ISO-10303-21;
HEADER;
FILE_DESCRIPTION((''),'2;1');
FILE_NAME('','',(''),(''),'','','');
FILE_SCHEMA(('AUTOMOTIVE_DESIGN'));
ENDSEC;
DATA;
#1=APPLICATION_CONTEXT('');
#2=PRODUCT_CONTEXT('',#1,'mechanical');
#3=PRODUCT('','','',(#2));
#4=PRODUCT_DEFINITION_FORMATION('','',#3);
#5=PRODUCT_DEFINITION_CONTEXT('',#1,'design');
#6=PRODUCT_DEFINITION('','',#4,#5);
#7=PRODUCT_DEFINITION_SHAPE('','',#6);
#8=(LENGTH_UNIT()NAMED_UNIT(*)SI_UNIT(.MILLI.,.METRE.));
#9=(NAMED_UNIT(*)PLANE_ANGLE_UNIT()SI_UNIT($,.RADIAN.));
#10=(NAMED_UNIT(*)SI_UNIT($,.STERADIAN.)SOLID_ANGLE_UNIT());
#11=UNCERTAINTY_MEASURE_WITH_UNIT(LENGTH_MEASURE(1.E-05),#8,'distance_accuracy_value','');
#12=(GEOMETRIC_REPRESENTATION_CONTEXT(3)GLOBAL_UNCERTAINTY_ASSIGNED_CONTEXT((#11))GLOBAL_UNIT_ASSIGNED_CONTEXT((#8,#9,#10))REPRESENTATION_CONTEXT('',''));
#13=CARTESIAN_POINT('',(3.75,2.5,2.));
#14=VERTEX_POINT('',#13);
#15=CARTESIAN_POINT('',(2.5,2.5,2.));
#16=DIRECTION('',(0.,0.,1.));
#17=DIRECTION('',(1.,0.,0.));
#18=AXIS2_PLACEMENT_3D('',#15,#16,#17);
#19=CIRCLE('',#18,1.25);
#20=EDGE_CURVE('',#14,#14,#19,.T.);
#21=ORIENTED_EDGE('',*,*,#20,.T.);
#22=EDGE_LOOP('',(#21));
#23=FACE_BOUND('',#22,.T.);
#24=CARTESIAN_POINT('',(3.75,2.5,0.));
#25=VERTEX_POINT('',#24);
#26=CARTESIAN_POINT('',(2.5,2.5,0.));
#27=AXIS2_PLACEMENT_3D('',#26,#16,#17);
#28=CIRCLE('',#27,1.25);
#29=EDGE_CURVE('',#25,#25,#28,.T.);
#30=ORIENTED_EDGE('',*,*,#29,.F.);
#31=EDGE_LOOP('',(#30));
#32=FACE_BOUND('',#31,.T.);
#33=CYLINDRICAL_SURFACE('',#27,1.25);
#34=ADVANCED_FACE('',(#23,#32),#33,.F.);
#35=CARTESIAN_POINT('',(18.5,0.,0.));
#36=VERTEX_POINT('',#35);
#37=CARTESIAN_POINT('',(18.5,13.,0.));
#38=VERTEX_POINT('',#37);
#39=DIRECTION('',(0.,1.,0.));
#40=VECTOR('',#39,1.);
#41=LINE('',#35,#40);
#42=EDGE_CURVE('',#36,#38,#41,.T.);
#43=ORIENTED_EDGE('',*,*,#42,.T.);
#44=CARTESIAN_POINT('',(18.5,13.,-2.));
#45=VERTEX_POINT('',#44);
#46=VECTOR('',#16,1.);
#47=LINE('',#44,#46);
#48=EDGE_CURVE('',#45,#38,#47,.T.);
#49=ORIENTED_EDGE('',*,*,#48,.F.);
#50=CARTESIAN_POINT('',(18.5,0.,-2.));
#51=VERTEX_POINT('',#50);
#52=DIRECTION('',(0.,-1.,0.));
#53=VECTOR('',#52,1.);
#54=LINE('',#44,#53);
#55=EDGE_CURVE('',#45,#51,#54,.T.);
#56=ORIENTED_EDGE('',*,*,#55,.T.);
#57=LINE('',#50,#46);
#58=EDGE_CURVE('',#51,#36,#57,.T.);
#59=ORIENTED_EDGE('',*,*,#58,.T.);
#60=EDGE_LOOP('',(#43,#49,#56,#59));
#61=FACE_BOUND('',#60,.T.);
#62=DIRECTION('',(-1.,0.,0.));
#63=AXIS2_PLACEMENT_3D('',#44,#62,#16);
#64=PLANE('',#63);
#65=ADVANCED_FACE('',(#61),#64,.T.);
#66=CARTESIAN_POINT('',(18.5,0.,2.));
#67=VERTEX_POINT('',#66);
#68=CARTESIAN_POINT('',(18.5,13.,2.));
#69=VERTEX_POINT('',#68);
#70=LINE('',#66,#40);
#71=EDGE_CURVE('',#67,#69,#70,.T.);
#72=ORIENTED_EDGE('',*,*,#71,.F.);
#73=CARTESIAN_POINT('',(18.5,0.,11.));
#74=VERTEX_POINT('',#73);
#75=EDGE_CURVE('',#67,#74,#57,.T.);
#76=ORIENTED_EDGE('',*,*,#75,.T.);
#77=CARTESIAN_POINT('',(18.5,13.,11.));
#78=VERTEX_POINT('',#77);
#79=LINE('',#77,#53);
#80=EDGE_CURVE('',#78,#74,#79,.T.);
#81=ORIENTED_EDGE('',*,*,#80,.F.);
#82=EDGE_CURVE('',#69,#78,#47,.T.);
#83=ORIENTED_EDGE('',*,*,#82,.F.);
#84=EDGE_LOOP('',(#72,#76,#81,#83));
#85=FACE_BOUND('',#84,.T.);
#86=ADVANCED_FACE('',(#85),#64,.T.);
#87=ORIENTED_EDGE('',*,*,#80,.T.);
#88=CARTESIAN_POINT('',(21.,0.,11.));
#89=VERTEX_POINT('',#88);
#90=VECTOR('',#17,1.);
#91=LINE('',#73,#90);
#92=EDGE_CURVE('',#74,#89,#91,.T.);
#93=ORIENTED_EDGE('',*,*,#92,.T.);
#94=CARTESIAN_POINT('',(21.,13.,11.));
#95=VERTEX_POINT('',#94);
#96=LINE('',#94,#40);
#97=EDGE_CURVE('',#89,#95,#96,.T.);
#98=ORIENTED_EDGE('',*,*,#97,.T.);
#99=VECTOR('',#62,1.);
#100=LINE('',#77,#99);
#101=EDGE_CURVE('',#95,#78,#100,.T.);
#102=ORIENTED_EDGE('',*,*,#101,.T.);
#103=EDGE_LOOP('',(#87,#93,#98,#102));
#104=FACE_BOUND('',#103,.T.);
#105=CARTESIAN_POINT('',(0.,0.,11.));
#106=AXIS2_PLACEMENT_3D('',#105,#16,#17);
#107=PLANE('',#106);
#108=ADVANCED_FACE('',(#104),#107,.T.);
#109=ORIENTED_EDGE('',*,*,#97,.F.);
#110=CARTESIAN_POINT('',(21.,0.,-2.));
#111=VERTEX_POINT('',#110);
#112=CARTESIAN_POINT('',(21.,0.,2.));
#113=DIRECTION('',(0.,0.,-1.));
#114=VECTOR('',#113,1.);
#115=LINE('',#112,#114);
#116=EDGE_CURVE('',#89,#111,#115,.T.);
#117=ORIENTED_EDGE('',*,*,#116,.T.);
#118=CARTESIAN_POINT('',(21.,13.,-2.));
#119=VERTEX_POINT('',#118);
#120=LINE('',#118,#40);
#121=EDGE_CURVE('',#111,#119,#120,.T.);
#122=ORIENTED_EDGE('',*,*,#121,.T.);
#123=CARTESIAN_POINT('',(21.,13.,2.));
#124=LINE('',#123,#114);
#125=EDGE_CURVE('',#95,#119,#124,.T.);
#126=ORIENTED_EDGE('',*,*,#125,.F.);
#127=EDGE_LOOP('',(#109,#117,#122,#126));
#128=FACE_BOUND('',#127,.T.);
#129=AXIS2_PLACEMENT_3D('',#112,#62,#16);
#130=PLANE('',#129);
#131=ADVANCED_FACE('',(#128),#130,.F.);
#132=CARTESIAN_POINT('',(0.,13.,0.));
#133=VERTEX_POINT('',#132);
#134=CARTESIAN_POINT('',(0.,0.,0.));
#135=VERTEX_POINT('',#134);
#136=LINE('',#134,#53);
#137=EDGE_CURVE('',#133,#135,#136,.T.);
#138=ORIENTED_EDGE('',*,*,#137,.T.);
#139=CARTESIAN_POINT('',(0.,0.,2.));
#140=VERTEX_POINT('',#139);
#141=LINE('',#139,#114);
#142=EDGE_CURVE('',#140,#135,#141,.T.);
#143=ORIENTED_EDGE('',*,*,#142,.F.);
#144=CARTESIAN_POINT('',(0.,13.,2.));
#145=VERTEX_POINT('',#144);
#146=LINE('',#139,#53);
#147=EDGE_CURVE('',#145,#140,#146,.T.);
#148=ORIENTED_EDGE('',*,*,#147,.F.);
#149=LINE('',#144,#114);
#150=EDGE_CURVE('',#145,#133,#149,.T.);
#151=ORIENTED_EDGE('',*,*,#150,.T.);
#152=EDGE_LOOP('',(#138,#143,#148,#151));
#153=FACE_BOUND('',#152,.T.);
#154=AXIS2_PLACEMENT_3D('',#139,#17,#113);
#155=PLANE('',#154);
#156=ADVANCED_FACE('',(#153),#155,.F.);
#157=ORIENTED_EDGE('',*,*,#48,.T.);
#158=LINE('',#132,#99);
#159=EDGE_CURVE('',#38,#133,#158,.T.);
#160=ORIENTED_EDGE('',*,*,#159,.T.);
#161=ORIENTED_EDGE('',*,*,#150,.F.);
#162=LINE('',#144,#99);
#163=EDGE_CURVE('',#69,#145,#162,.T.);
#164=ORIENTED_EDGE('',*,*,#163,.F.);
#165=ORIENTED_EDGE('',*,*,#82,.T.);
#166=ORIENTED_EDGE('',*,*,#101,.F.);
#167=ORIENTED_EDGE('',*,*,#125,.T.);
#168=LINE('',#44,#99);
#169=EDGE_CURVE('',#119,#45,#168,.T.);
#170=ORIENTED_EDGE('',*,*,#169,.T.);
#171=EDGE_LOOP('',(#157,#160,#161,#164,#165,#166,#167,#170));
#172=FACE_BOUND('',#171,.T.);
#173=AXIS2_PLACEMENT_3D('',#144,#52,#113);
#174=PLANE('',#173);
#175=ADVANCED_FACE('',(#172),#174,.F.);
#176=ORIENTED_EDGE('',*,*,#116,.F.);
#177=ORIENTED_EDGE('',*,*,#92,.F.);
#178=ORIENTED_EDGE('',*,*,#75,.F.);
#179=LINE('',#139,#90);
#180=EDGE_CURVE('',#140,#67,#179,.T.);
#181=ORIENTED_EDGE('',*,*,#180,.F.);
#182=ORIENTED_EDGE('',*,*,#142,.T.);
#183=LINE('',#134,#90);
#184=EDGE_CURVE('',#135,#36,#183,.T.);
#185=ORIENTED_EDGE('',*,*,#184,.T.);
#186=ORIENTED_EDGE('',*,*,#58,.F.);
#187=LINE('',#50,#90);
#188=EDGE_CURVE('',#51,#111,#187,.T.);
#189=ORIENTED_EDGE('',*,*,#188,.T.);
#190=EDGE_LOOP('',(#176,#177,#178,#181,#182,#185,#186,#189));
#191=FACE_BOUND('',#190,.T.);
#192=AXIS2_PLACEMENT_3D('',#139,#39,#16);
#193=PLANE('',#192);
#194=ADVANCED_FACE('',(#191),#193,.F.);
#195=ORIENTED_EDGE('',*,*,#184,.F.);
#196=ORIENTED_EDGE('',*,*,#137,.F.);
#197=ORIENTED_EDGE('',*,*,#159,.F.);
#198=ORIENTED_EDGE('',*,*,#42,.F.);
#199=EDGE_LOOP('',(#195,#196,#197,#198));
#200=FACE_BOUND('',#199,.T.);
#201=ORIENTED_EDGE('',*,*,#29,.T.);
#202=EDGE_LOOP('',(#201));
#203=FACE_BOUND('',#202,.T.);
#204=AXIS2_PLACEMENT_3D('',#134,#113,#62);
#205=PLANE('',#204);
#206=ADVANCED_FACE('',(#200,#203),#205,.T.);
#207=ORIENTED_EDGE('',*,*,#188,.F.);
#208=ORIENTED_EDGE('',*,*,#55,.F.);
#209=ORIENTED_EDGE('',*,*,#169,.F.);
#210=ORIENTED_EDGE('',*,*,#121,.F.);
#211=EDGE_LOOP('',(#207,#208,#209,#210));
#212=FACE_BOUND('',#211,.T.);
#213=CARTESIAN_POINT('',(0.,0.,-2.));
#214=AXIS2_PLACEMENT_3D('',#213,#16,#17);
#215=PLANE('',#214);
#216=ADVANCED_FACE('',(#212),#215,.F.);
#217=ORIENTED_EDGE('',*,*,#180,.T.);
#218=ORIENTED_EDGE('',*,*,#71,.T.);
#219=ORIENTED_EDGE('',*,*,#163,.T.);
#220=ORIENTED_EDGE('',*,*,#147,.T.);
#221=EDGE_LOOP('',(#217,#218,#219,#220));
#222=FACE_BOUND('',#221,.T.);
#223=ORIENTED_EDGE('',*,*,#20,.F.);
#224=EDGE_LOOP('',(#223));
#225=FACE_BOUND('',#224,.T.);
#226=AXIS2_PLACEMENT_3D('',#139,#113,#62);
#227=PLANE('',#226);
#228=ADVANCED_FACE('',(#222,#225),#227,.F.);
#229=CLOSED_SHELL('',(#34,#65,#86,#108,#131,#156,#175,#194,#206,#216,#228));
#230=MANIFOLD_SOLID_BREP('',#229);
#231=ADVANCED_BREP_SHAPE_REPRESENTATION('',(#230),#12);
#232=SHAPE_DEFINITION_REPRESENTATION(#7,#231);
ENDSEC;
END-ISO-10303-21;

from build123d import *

# Parameters (mm, degrees)
ESQUISSE1_W             = 21
ESQUISSE1_H             = 13
BOSS_EXTRU_1_DEPTH      = 2
ESQUISSE2_R             = 1.25
ENL_V_MAT_EXTRU_1_DEPTH = 2
BOSS_EXTRU_2_DEPTH      = 9
BOSS_EXTRU_2_DEPTH_BACK = 4
ESQUISSE3_W             = 2.5
ESQUISSE3_H             = 13


with BuildPart() as part:
    # Esquisse1 → Boss.-Extru.1 (new body)
    with BuildSketch(Plane.XY):
        with Locations((10.5, 6.5)):
            Rectangle(ESQUISSE1_W, ESQUISSE1_H)
    extrude(amount=BOSS_EXTRU_1_DEPTH)

    # Esquisse2 → Enlèv. mat.-Extru.1 (cut)
    with BuildSketch(Plane.XY.offset(2)):
        with Locations((2.5, 2.5)):
            Circle(ESQUISSE2_R)
    extrude(amount=-ENL_V_MAT_EXTRU_1_DEPTH, mode=Mode.SUBTRACT)

    # Esquisse3 → Boss.-Extru.2 (add, two sides: drawn at the far end of the back side and taken through both)
    with BuildSketch(Plane.XY.offset(2).offset(-BOSS_EXTRU_2_DEPTH_BACK)):
        with Locations((19.75, 6.5)):
            Rectangle(ESQUISSE3_W, ESQUISSE3_H)
    extrude(amount=BOSS_EXTRU_2_DEPTH + BOSS_EXTRU_2_DEPTH_BACK)


solid = part.part
